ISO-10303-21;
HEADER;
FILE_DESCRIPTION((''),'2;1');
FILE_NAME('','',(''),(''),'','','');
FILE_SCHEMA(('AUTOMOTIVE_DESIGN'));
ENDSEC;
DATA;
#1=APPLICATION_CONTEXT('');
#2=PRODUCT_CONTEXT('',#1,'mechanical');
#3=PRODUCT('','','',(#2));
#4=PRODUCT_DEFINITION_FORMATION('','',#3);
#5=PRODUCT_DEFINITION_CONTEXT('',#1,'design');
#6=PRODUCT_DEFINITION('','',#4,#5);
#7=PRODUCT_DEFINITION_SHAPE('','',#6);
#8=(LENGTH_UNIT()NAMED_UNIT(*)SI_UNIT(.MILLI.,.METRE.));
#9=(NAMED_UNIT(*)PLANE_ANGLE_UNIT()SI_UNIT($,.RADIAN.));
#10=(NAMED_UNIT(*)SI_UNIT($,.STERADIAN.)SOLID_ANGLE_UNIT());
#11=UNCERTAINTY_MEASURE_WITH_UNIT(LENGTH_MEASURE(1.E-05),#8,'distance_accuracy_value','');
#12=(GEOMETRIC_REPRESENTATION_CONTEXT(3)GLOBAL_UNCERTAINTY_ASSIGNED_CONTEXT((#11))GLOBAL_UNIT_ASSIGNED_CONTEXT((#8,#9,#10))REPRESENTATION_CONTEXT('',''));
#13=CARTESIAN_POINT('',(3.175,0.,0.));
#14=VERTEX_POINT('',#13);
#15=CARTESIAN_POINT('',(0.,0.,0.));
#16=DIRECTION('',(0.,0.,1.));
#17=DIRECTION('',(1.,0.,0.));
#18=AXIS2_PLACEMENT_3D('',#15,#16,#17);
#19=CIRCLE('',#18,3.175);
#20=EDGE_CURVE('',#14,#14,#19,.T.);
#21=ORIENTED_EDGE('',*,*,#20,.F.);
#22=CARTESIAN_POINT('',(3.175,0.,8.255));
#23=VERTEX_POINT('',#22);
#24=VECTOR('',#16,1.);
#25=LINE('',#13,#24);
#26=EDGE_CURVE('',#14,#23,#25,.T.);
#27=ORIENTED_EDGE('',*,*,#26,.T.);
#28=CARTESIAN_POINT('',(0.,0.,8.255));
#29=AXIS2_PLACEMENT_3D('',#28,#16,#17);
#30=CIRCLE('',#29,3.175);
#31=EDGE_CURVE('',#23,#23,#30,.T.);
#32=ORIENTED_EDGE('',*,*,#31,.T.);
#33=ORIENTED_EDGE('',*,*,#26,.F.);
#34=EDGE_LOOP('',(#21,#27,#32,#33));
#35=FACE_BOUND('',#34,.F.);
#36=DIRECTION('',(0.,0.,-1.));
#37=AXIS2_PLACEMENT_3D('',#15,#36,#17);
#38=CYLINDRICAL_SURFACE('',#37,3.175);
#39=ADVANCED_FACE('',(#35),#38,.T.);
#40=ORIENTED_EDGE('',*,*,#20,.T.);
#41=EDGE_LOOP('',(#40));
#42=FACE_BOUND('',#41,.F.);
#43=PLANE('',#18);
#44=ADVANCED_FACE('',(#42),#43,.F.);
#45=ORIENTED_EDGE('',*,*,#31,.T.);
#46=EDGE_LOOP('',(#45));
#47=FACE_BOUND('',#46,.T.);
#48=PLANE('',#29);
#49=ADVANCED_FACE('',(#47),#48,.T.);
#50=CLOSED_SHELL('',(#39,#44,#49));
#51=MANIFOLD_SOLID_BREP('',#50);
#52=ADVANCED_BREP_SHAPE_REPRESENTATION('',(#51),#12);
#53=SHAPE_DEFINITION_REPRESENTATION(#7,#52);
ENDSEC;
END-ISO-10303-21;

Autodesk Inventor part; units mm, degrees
ref_plane "YZ Plane" through (0, 0, 0) normal (1, 0, 0) x (0, 1, 0)
ref_plane "XZ Plane" through (0, 0, 0) normal (0, 1, 0) x (-1, 0, 0)
ref_plane "XY Plane" through (0, 0, 0) normal (0, 0, 1) x (1, 0, 0)
sketch "Sketch1" plane through (0, 0, 0) normal (0, 0, 1) x (1, 0, 0)
  circle A0 centre (0, 0) radius 3.175
  dimension "d0" = 6.35
extrude "Extrusion1" add sketch "Sketch1" along normal blind 8.255
properties part number "Pin" material "Titanium"
